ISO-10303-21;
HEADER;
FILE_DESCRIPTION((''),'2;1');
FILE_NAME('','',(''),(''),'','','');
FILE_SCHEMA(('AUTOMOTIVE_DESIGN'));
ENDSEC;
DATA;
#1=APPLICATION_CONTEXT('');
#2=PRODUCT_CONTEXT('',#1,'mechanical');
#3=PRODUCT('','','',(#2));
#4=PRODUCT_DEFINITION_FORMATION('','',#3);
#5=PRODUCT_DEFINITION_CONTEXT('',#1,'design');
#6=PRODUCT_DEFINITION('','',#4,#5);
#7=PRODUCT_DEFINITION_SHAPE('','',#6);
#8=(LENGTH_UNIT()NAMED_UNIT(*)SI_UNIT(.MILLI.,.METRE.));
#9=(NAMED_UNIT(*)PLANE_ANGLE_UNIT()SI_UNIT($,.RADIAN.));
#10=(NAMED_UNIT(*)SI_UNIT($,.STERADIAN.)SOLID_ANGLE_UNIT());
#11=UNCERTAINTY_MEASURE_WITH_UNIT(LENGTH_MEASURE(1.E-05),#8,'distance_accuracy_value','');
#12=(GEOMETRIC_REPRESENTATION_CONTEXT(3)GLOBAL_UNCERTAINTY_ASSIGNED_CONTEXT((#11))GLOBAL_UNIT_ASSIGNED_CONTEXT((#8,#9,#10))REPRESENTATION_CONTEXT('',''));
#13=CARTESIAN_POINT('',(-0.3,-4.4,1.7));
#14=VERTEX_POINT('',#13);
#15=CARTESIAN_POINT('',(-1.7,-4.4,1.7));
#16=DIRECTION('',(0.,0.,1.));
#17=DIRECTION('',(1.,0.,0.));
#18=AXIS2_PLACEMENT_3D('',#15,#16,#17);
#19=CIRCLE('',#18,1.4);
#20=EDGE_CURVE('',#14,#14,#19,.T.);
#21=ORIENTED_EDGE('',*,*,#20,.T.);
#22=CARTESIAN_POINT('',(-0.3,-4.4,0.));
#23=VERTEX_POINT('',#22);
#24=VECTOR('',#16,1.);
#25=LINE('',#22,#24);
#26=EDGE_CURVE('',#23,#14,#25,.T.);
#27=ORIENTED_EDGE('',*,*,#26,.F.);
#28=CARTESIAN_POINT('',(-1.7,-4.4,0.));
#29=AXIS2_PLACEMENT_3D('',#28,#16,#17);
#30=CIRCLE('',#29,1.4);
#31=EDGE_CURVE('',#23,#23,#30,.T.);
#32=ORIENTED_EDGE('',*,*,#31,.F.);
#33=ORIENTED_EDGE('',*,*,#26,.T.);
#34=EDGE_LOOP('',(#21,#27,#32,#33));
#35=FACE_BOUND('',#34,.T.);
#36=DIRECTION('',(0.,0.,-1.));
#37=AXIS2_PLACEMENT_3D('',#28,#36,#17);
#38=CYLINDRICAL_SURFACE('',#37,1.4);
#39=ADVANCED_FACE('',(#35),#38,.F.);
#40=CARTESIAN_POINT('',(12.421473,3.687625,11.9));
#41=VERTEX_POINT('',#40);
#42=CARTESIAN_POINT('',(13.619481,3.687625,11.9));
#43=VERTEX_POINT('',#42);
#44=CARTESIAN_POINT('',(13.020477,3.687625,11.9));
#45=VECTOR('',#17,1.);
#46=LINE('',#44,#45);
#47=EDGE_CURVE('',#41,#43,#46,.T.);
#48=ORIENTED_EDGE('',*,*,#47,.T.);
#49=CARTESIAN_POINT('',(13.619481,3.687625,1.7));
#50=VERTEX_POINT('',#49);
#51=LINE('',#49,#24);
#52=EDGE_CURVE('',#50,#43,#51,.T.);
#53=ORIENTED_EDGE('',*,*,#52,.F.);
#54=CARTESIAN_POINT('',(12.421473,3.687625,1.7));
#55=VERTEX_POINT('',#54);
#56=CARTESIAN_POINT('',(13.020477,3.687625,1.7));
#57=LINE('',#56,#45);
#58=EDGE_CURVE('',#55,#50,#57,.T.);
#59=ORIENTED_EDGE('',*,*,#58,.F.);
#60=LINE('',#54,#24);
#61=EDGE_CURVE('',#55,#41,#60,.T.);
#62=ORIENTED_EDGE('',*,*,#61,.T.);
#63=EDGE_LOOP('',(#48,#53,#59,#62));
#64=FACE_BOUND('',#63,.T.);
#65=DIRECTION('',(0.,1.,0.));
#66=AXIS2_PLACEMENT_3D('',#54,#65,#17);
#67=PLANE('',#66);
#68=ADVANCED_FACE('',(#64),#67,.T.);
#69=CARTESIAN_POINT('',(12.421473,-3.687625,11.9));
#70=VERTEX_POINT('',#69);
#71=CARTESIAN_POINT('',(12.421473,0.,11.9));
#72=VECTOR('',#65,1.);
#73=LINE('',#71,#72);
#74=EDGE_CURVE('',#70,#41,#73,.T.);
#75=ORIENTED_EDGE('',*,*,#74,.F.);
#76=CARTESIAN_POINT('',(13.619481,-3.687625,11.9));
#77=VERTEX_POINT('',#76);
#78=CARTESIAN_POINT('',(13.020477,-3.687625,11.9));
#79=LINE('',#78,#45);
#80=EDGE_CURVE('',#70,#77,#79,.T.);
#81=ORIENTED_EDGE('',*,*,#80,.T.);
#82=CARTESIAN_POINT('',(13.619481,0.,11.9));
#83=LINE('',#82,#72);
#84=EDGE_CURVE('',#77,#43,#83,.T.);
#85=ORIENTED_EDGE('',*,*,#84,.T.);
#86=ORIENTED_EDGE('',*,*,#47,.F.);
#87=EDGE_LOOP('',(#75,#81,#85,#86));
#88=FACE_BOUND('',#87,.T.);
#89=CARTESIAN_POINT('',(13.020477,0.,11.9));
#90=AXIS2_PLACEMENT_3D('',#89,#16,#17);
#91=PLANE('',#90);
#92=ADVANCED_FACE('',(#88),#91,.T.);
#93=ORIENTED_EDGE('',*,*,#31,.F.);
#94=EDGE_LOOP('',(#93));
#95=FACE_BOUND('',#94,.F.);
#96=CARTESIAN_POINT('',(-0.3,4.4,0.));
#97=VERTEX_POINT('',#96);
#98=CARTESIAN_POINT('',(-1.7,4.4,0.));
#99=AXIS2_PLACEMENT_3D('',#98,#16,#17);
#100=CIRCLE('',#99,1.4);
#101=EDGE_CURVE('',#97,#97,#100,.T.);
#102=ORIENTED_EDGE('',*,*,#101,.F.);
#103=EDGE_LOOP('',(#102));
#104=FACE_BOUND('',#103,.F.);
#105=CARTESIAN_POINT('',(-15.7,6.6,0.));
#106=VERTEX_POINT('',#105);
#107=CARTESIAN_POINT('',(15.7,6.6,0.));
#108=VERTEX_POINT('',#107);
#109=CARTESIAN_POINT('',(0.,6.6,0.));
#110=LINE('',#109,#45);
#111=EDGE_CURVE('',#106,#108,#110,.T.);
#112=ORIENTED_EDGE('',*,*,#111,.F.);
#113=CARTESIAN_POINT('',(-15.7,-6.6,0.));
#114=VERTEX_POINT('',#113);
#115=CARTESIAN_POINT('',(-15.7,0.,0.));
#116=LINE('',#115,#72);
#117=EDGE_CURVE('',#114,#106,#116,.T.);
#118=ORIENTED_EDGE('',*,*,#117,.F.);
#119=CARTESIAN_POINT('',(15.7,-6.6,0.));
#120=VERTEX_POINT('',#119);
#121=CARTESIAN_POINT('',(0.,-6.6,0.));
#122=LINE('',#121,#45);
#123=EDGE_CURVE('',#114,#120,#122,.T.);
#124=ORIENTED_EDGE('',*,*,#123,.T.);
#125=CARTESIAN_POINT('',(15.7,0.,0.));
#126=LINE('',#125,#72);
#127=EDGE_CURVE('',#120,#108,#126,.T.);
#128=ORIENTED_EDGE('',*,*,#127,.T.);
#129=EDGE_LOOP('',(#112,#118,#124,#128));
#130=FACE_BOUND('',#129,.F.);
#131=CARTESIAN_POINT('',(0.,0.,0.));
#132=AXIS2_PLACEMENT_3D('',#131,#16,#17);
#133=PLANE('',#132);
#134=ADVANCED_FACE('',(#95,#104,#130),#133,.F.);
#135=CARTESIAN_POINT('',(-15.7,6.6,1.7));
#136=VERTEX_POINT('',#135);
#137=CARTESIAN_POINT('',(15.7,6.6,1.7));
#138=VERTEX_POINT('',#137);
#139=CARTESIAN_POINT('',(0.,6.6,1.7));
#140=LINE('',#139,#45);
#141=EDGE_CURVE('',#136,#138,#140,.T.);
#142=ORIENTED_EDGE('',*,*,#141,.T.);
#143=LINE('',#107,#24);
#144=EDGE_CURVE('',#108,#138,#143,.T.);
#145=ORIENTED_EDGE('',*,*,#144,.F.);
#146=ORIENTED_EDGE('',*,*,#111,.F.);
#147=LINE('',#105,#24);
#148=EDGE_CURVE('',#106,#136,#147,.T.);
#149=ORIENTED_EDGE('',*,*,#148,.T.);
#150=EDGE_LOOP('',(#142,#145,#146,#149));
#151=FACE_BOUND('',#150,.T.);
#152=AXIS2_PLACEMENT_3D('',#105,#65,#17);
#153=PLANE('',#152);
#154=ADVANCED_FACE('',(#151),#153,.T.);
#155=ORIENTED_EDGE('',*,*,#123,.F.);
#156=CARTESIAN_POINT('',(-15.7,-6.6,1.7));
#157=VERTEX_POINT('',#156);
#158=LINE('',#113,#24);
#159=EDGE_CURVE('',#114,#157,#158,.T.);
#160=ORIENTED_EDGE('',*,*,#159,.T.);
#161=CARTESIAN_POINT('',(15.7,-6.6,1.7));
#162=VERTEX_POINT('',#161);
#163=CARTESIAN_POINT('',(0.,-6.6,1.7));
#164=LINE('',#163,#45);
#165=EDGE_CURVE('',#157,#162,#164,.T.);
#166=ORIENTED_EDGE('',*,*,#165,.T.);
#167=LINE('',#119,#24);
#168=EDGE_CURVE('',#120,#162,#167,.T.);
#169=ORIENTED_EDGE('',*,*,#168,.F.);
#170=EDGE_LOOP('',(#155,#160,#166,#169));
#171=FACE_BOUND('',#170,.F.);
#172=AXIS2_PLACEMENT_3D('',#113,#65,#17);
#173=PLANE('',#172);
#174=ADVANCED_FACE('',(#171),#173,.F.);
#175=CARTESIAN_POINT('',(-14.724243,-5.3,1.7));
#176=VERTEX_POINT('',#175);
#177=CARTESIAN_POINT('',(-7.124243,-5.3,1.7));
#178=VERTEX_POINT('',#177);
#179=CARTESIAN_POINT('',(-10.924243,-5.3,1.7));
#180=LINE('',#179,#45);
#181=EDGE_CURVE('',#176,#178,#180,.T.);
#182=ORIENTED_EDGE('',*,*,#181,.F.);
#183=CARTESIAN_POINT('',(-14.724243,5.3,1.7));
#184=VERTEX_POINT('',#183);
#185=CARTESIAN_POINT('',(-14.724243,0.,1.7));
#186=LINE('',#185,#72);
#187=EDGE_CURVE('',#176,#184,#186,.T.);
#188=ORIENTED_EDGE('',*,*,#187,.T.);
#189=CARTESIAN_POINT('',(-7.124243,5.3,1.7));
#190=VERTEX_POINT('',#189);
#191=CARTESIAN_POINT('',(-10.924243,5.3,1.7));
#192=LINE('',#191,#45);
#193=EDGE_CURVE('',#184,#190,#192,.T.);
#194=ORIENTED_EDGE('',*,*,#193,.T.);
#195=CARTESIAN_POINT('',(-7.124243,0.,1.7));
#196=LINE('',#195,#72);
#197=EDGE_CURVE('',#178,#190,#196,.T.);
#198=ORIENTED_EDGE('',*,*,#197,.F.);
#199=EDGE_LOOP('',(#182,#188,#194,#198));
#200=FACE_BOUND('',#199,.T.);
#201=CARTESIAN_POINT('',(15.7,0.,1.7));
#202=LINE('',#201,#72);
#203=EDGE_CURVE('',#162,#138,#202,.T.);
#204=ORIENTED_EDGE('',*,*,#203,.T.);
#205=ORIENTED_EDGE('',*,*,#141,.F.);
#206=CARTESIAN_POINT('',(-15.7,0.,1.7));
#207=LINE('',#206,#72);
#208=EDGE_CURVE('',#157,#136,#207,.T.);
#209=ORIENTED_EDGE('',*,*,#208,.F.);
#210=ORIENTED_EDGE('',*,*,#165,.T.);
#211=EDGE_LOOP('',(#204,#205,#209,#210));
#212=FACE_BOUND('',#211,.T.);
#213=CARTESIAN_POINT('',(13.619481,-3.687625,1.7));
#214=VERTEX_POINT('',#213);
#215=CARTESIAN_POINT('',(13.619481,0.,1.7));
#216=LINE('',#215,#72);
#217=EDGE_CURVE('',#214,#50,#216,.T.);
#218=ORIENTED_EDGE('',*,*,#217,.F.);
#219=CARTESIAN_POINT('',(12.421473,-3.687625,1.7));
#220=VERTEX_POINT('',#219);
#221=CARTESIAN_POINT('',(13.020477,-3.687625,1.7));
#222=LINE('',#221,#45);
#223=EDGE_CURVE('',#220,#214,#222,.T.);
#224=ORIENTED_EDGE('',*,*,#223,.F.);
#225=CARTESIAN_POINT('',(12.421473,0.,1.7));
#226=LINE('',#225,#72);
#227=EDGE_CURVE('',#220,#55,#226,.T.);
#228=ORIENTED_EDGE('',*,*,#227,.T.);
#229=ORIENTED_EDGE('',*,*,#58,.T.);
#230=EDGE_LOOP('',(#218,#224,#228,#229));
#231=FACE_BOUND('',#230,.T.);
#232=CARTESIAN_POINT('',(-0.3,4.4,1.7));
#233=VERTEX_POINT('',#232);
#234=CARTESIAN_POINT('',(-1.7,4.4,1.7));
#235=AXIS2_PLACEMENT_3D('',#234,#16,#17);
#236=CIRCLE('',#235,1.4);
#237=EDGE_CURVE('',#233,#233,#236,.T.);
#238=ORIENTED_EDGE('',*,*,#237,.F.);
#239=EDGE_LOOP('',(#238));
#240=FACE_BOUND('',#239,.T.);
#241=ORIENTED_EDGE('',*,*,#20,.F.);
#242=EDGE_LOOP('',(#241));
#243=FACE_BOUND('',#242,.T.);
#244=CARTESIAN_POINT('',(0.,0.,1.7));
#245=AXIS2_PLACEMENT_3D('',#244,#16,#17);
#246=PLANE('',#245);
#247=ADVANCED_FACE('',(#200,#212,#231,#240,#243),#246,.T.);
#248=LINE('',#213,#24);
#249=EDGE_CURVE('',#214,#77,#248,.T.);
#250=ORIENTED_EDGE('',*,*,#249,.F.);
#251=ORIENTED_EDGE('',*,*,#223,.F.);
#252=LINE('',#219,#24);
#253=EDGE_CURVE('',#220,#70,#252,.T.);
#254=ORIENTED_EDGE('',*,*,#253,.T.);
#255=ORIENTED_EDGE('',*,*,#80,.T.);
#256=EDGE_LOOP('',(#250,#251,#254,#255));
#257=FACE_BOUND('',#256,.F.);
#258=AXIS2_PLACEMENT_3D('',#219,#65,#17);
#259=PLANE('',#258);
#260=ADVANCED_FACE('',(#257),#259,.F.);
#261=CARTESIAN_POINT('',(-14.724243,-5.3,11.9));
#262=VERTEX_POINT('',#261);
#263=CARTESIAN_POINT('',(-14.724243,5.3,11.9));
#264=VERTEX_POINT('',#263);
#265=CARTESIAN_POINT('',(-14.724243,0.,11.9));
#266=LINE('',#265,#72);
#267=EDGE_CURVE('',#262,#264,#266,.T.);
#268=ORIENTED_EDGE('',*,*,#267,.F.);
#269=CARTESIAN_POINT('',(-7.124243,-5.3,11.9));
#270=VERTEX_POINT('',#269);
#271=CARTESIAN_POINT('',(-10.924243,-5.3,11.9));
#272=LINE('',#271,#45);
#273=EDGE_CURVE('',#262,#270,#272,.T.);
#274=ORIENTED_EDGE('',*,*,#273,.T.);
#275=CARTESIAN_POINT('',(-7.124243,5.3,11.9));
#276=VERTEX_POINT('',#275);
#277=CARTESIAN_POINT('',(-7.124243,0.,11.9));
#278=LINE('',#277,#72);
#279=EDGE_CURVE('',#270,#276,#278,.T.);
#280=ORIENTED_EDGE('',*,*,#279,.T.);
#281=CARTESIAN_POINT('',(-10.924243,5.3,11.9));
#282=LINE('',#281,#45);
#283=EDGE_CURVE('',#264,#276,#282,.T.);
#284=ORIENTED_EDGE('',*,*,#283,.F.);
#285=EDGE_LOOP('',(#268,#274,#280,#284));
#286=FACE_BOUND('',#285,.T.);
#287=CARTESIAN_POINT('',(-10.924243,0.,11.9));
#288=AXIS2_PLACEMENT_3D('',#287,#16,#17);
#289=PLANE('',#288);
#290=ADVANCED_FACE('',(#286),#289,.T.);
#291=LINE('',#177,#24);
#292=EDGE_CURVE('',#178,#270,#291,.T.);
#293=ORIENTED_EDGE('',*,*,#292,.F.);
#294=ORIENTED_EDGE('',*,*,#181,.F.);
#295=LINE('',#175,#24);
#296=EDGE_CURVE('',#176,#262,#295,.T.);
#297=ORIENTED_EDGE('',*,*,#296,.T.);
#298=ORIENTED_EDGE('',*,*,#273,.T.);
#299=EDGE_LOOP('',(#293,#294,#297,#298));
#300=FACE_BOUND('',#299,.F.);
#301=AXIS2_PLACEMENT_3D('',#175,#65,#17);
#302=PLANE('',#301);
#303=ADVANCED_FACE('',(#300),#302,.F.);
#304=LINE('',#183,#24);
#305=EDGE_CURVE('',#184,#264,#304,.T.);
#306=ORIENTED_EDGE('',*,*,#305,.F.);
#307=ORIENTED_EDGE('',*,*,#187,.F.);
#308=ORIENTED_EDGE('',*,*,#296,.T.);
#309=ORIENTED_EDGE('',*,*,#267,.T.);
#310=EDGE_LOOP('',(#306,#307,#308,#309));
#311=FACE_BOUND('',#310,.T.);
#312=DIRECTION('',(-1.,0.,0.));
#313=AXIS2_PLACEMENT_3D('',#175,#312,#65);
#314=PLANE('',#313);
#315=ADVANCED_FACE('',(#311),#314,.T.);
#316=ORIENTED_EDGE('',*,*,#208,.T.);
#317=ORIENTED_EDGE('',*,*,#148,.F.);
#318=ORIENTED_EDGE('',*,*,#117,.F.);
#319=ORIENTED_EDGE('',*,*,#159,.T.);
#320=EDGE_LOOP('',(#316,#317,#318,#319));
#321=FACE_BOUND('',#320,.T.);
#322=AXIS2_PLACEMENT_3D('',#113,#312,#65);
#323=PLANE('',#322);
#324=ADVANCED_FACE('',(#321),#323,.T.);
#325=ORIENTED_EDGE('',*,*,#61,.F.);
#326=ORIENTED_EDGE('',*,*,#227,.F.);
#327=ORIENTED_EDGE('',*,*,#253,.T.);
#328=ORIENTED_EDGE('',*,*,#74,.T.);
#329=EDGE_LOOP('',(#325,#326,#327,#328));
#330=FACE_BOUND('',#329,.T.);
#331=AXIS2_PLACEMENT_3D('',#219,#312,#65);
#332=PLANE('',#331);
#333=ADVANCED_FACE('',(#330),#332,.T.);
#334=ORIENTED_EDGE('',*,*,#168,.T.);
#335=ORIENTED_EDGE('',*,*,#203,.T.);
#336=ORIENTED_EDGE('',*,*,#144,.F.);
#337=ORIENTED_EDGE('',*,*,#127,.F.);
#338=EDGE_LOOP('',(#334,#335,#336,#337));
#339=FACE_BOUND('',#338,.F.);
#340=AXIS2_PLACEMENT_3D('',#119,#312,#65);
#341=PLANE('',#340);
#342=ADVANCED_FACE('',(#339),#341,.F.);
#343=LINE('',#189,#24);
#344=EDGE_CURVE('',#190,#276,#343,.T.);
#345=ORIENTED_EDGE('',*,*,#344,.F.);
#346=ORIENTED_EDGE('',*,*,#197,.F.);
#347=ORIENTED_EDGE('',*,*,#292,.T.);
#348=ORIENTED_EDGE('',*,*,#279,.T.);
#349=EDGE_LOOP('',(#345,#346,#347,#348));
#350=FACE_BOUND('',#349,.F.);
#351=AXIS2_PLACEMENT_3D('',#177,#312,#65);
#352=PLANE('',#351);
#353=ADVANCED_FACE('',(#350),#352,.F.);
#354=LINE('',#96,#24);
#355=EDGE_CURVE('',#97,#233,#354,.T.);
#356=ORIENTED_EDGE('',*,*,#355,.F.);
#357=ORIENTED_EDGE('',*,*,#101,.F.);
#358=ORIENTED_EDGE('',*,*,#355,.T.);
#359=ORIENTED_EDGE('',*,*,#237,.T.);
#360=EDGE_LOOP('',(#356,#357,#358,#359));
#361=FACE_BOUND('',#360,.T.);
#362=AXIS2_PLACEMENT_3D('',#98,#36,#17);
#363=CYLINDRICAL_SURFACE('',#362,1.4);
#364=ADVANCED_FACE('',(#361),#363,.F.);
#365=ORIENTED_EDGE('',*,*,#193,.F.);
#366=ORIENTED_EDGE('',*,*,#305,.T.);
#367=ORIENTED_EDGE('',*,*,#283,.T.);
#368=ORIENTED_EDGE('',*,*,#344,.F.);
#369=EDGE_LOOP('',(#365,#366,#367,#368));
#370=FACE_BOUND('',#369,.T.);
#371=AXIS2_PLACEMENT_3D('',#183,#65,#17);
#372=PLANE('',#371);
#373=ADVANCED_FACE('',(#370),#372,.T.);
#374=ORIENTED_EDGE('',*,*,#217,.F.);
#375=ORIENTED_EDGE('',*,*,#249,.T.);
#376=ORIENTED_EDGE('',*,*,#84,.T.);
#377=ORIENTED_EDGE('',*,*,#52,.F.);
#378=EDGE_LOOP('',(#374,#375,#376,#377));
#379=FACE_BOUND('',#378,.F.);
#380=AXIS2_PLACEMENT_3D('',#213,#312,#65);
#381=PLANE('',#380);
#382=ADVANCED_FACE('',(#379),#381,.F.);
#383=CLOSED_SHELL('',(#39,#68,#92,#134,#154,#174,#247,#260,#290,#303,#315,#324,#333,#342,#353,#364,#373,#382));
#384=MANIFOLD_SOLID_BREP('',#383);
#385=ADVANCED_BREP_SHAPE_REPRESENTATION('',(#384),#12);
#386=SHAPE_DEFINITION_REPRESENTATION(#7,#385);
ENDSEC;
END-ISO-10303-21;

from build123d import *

# Parameters (mm, degrees)
F0_W     = 31.4
F0_H     = 13.2
F0_R     = 1.4
F1_DEPTH = 1.7
F2_W     = 7.6
F2_H     = 10.6
F2_W_2   = 1.198008
F2_H_2   = 7.37525
F3_DEPTH = 10.2


with BuildPart() as f1:
    # F0 (on Top) → F1 (new body)
    with BuildSketch(Plane.XY):
        Rectangle(F0_W, F0_H)
        with Locations((-1.7, -4.4)):
            Circle(F0_R, mode=Mode.SUBTRACT)
        with Locations((-1.7, 4.4)):
            Circle(F0_R, mode=Mode.SUBTRACT)
    extrude(amount=F1_DEPTH)

    # F2 (on face) → F3 (join)
    with BuildSketch(Plane.XY.offset(1.7)):
        with Locations((-10.924243, 0)):
            Rectangle(F2_W, F2_H)
        with Locations((13.020477, 0)):
            Rectangle(F2_W_2, F2_H_2)
    extrude(amount=F3_DEPTH)


solid = f1.part
